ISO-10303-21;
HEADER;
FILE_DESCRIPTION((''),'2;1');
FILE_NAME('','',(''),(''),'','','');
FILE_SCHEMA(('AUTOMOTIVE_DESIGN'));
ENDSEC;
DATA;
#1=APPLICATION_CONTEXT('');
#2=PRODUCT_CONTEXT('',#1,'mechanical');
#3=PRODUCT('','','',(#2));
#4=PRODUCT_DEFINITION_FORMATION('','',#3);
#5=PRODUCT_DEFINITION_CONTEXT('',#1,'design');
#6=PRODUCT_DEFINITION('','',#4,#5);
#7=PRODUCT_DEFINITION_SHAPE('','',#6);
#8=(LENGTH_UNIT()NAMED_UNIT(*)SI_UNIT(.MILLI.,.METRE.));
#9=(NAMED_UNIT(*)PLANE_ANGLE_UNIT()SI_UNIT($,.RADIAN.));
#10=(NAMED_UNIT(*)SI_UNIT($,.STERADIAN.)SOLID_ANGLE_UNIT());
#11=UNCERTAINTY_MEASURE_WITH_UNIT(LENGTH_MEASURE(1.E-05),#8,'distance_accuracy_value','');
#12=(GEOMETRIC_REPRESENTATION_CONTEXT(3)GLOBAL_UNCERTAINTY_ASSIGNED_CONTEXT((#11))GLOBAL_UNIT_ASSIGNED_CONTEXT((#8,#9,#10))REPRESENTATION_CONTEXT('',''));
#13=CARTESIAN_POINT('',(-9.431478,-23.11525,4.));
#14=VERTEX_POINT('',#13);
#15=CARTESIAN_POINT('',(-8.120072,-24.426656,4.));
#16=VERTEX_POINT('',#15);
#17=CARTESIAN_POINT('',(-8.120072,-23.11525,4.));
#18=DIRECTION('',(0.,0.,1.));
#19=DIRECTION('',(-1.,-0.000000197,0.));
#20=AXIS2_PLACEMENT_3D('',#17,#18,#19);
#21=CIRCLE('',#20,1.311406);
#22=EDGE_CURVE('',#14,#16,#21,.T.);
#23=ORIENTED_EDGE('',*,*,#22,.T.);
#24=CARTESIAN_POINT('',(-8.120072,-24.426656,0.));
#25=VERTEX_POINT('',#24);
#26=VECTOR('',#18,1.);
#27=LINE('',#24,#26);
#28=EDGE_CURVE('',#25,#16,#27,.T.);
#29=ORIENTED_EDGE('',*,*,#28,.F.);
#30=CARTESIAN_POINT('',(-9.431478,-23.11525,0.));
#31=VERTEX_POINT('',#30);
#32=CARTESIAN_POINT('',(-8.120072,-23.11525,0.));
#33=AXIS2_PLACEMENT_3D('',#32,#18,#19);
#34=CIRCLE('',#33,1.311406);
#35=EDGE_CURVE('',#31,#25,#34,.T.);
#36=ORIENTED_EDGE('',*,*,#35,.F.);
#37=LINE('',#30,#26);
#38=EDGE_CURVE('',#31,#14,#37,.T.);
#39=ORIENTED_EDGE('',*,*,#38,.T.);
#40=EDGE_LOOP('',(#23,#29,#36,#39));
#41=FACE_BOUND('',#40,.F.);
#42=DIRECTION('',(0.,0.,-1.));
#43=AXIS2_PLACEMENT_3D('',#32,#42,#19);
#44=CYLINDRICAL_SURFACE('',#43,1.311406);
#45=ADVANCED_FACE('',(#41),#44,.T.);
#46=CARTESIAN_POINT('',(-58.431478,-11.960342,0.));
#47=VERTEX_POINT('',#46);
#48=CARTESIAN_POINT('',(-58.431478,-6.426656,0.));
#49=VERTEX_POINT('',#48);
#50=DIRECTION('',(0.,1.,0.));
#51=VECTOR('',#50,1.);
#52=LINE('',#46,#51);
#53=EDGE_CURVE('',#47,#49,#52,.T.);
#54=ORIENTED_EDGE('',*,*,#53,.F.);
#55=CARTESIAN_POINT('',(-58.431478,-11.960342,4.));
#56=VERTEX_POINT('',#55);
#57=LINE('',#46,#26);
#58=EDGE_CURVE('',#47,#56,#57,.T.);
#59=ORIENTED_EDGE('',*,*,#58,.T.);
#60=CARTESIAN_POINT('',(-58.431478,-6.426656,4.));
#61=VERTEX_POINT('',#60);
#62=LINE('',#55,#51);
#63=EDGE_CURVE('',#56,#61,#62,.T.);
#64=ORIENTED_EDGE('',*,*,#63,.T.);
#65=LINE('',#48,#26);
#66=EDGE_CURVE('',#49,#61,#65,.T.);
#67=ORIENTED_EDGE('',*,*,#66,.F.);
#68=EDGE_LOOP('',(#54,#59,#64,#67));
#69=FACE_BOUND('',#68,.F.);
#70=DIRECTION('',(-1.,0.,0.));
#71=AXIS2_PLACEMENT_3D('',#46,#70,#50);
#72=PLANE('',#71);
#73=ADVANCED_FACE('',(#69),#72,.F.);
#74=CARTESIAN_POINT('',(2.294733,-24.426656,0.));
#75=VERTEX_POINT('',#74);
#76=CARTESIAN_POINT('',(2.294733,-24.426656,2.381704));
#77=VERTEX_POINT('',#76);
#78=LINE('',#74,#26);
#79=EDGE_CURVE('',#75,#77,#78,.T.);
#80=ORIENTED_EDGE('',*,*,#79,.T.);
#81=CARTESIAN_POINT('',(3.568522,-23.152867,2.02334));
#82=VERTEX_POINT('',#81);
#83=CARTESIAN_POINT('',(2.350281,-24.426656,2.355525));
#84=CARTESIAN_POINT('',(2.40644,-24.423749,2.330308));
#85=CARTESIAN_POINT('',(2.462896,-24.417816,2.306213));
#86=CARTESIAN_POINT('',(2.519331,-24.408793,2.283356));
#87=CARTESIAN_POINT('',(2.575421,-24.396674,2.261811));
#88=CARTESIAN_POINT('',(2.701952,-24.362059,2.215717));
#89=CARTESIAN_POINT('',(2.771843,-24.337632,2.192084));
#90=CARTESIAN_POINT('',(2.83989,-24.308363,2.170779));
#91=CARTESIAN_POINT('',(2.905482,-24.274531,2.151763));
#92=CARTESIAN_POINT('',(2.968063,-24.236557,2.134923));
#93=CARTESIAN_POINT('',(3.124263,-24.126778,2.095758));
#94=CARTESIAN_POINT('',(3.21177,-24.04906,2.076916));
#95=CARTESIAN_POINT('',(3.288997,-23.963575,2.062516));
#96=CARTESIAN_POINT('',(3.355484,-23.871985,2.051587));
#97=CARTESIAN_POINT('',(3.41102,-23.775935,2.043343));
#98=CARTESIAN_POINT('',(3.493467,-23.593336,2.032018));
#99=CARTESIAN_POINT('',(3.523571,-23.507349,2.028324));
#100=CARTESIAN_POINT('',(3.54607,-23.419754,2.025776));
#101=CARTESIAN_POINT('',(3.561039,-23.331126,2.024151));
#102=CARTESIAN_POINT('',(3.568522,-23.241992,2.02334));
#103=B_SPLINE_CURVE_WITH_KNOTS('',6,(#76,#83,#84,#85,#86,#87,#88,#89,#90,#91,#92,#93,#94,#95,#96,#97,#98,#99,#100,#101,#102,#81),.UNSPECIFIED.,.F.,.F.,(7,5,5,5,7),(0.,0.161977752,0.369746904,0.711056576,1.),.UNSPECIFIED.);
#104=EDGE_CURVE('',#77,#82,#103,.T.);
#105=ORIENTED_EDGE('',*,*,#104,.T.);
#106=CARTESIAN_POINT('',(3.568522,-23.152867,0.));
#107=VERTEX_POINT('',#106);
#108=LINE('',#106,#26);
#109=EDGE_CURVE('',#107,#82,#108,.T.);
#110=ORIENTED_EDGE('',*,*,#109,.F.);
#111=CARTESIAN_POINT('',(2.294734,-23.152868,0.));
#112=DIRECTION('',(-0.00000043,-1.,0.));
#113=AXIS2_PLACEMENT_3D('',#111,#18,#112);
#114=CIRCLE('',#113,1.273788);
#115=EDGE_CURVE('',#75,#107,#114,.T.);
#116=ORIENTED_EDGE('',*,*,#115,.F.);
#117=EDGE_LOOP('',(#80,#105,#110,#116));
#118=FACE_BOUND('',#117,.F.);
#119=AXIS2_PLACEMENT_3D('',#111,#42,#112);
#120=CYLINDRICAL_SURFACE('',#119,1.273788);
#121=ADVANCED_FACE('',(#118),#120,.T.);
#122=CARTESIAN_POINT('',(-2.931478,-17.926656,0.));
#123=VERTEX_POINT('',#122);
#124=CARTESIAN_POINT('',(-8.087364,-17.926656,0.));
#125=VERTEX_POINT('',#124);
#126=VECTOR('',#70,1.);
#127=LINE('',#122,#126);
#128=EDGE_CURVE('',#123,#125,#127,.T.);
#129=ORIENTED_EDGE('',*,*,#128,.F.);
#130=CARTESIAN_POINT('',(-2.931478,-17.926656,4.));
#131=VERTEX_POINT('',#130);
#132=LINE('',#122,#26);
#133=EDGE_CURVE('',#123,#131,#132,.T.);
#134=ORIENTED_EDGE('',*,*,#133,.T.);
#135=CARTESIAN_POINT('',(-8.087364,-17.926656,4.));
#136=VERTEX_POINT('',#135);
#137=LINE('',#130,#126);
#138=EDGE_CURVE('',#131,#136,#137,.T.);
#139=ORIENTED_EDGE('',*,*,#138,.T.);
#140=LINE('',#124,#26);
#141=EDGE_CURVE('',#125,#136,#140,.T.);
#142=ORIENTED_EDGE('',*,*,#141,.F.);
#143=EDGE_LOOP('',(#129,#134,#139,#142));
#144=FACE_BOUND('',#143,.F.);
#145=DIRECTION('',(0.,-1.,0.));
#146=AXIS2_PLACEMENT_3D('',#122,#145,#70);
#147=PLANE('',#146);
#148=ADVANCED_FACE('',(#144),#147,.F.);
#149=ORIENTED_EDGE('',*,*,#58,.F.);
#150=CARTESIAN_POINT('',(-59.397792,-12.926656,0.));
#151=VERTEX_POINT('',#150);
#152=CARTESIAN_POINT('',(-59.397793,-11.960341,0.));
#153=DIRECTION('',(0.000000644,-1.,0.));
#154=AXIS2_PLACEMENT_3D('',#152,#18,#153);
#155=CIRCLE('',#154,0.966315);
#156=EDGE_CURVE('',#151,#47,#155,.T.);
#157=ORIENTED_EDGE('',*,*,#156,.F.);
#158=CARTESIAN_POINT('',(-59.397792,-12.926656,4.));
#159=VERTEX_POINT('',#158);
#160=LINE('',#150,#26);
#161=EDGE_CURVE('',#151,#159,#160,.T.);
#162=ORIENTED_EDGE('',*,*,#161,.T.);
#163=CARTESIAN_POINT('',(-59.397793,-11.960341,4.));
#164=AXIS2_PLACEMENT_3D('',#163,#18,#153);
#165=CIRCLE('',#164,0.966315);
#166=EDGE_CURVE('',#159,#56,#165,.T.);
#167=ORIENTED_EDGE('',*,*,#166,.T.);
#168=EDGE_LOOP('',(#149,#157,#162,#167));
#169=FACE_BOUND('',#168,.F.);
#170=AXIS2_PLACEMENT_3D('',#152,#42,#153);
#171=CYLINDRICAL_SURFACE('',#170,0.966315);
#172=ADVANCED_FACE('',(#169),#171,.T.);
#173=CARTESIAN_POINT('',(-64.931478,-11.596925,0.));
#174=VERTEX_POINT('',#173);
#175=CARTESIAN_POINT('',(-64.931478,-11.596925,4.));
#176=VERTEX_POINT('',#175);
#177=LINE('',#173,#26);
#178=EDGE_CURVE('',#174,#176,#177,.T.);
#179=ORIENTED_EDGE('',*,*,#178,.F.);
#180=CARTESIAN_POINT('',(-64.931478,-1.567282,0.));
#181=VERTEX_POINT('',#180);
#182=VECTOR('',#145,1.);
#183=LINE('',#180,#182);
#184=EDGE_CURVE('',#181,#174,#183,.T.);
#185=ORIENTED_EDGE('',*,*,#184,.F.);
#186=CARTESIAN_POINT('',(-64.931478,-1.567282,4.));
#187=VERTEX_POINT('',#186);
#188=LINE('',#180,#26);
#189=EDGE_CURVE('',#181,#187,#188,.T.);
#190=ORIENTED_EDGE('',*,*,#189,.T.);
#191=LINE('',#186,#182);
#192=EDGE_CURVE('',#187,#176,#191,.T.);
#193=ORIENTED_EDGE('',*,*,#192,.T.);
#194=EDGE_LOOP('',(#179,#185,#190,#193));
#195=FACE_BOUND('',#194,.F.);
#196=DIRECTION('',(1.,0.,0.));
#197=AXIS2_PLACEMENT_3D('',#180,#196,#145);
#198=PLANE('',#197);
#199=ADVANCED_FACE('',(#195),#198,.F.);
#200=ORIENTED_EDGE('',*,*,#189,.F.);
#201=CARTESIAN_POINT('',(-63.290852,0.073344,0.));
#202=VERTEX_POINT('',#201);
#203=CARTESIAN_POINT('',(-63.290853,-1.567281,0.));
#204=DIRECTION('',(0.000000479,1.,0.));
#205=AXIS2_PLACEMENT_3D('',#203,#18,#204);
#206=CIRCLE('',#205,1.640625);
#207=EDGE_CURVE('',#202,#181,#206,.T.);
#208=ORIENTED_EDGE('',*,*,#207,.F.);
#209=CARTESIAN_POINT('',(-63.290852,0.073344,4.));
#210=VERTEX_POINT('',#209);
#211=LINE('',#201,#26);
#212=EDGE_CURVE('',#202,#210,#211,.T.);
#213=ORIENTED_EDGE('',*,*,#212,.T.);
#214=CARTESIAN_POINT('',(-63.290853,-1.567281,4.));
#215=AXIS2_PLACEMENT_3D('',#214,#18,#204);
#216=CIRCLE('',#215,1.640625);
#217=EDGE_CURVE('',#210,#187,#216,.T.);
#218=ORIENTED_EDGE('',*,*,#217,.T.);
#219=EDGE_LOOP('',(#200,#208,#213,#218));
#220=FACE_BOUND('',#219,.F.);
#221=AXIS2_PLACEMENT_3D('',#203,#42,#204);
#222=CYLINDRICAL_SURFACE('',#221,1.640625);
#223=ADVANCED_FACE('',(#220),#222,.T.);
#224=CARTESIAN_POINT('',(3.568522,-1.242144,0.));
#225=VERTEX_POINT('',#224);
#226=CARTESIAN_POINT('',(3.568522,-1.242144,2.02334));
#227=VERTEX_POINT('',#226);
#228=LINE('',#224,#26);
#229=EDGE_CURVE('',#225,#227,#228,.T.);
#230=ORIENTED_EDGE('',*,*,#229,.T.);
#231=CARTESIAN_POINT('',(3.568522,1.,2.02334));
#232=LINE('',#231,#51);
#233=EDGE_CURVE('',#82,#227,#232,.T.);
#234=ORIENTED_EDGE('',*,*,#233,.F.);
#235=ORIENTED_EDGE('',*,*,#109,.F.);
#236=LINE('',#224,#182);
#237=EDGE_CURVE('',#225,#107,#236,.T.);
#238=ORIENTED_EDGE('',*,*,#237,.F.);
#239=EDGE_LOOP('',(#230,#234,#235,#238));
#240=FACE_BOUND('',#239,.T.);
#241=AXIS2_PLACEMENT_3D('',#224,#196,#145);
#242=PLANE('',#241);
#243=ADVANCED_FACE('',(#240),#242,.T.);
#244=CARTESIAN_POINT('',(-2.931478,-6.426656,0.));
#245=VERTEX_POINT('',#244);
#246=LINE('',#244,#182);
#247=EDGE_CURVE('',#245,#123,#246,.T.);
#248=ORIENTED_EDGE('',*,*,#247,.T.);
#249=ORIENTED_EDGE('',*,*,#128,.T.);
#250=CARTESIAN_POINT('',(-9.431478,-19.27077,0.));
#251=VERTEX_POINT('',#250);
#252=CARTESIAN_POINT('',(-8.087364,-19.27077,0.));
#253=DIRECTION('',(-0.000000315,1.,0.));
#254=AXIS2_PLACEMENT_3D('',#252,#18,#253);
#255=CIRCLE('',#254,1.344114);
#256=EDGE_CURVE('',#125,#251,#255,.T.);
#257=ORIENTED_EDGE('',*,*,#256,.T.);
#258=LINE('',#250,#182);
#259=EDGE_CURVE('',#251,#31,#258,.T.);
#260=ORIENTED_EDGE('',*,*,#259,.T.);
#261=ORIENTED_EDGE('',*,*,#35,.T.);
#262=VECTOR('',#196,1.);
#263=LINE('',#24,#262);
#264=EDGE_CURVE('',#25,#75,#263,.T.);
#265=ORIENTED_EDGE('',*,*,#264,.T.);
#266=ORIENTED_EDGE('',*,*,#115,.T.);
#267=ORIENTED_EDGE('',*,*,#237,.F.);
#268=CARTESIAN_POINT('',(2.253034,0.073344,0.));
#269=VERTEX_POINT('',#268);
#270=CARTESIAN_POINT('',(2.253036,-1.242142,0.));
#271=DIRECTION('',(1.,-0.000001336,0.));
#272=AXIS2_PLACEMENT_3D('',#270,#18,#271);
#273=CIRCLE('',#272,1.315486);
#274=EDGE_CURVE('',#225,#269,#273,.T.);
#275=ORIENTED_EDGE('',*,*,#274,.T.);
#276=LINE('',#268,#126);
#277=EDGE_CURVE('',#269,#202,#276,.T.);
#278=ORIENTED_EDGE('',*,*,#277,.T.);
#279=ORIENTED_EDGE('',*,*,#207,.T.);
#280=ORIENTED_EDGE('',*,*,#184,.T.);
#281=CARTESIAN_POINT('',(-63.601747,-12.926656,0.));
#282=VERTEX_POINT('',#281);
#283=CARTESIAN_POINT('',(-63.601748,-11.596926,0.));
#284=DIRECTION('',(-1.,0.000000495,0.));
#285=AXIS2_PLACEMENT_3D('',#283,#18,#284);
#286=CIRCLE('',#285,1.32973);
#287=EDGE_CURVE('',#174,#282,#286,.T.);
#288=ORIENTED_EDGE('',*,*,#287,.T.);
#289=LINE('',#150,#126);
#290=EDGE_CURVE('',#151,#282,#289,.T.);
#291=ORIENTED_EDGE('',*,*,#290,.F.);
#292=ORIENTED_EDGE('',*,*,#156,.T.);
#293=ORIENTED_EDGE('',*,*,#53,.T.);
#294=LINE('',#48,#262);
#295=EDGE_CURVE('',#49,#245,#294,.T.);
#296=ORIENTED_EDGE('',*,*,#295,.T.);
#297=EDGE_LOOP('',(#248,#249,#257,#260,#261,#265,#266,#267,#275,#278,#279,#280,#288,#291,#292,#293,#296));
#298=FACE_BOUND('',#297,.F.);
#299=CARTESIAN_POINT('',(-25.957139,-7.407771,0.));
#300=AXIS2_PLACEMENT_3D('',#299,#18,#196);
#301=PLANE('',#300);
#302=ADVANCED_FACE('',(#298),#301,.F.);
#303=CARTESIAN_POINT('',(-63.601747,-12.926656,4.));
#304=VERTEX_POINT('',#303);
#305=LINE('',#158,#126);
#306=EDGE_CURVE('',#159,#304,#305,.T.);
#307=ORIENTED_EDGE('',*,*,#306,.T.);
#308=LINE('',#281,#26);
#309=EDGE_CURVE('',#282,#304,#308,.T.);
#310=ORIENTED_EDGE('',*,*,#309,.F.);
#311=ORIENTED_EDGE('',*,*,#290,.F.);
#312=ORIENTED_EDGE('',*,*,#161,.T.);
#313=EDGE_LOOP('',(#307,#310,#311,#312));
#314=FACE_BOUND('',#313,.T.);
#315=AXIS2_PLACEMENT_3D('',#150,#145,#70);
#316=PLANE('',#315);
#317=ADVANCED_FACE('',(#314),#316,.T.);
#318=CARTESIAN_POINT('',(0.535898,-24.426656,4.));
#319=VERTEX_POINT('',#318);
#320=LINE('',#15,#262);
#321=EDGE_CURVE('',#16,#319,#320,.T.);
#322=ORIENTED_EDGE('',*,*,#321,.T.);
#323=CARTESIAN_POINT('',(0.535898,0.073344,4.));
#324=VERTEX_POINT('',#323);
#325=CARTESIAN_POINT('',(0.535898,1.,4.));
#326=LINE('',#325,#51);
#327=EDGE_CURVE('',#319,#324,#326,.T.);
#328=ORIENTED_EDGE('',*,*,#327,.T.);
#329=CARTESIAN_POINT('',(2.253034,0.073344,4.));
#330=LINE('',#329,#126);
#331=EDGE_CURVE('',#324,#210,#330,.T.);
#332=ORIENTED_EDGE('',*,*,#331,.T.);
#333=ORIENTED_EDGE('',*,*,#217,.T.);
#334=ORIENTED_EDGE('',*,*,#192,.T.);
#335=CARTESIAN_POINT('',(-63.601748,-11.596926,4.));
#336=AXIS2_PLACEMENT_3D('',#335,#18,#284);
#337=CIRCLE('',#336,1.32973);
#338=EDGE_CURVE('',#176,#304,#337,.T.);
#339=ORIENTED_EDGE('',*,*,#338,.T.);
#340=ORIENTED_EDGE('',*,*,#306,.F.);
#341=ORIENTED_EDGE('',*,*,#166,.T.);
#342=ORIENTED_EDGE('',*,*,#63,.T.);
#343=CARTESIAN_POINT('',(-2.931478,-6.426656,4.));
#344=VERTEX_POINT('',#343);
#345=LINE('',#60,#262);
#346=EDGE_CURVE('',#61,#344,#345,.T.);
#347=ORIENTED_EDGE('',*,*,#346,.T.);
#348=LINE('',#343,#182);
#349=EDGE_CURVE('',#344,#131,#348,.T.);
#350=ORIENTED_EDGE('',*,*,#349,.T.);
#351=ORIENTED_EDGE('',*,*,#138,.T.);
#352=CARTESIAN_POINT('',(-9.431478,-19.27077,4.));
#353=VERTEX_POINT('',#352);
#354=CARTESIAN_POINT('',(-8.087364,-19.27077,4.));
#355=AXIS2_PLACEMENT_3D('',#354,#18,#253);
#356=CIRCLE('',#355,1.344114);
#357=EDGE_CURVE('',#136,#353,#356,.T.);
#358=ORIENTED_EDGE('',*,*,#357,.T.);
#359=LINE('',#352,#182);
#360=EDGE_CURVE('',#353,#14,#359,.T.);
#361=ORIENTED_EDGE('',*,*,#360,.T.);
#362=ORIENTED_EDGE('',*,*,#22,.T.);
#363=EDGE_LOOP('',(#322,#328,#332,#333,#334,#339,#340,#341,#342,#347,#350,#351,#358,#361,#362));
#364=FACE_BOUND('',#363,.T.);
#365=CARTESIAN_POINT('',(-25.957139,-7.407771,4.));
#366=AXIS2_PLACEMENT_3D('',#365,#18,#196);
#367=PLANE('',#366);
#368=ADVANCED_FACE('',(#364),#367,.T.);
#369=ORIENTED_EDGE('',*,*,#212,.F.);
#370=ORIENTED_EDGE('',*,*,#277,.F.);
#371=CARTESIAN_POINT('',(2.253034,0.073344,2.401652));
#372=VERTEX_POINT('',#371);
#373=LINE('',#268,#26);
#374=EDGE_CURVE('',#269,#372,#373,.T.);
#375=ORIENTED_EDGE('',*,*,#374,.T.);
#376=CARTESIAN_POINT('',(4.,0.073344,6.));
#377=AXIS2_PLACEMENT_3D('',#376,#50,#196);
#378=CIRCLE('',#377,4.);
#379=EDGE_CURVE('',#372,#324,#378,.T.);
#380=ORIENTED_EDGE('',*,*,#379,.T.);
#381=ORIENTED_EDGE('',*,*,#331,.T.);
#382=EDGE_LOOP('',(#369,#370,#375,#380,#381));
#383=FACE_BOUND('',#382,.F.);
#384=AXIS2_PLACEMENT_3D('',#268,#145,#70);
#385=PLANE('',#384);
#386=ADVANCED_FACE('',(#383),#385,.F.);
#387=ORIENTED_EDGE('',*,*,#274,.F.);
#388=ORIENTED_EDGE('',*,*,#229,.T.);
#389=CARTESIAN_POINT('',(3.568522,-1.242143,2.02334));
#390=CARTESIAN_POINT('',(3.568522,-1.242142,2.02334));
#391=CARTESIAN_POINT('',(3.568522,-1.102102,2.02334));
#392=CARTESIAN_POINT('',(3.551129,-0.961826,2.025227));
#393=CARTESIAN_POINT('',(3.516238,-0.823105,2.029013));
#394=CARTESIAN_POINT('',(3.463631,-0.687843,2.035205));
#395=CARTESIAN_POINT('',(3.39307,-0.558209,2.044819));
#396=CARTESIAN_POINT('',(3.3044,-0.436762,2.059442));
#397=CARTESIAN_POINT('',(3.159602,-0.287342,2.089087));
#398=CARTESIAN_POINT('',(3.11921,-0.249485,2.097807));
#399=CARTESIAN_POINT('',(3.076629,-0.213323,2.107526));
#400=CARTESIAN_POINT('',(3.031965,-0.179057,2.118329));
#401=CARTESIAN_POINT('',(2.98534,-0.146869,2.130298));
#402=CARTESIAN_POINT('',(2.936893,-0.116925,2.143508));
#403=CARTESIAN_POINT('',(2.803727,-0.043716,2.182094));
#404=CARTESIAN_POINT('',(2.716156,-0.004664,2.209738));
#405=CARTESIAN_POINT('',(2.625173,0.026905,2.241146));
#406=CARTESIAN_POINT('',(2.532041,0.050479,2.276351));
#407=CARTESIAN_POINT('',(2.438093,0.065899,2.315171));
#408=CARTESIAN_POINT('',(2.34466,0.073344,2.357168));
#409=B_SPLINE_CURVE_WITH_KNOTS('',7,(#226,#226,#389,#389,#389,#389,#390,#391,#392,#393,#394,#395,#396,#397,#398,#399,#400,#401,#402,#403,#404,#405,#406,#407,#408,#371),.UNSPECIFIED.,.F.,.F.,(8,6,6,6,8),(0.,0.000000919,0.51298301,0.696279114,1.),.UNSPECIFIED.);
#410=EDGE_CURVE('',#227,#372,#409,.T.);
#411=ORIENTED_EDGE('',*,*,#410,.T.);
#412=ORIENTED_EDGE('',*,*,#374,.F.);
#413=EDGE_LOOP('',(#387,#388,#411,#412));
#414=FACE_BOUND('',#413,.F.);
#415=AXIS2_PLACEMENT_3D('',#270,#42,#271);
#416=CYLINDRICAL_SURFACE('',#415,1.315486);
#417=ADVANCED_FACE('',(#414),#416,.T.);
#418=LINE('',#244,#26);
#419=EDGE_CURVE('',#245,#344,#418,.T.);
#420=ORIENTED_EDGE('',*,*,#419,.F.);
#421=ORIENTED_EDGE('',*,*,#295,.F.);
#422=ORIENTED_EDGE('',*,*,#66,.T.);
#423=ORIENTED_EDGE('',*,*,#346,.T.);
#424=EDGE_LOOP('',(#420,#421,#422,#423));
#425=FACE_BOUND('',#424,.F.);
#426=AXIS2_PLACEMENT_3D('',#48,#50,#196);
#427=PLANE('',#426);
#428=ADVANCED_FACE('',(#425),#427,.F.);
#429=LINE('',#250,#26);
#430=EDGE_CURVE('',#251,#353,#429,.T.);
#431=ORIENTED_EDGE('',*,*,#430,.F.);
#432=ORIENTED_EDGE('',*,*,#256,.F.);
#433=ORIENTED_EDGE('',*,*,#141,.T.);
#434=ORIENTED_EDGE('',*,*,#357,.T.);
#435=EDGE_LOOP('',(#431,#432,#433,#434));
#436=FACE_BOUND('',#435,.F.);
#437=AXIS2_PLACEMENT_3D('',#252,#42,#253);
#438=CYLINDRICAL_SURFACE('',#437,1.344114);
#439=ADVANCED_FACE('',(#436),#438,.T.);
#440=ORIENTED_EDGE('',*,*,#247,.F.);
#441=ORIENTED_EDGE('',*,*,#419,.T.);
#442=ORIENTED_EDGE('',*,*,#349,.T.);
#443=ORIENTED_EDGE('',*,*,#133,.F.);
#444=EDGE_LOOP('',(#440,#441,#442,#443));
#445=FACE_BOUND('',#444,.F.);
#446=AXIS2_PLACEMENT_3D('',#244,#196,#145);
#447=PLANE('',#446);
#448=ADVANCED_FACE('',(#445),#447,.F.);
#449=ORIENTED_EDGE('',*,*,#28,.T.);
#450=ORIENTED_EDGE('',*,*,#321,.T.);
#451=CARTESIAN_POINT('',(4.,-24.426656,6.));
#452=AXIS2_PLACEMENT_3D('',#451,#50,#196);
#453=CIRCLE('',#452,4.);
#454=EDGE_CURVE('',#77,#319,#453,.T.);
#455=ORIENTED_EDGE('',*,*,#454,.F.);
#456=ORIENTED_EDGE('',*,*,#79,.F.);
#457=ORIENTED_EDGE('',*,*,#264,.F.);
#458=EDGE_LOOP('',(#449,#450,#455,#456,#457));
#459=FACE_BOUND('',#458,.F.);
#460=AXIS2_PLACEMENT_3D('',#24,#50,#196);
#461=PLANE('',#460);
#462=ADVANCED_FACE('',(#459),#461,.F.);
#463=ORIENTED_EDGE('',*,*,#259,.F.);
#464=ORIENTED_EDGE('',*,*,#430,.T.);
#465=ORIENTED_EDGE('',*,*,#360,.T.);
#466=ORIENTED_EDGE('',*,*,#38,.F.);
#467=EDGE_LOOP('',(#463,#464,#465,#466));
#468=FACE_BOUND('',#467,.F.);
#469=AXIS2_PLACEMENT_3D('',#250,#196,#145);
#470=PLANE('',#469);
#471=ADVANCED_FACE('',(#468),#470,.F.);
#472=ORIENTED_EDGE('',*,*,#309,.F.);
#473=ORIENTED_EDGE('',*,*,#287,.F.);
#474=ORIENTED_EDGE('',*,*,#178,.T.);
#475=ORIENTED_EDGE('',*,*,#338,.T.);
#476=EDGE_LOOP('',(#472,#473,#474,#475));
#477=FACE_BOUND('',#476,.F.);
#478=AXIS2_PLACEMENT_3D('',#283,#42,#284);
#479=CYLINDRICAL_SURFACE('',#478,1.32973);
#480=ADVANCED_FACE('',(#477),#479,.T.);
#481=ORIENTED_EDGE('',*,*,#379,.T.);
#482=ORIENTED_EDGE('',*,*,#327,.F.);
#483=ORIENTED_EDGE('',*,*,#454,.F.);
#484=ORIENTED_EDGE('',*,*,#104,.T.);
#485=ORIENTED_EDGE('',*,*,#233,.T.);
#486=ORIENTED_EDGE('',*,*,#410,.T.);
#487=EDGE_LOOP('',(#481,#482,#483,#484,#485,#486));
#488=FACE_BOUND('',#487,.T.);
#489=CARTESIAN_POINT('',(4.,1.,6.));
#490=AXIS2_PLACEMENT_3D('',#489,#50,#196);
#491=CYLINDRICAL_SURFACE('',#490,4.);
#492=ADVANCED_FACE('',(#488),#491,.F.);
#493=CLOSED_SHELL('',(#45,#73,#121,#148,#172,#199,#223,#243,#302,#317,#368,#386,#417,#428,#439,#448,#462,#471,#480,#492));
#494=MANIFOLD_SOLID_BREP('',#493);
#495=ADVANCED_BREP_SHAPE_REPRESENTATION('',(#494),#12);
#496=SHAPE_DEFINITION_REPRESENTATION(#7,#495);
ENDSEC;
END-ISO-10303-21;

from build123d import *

# Parameters (mm, degrees)
CYLINDER005_R          = 4
CYLINDER005_DEPTH      = 26
CYLINDER005_ROLL_ANGLE = 90
PAD006_DEPTH           = 4


with BuildPart() as cylinder005:
    # Cylinder005 → Cylinder005 (new body)
    with BuildSketch(Plane.XY):
        Circle(CYLINDER005_R)
    extrude(amount=CYLINDER005_DEPTH)


with BuildPart() as cylinder005_1:
    # Cylinder005 roll: moved
    add(cylinder005.part.rotate(Axis((0, 0, 0), (1, 0, 0)), CYLINDER005_ROLL_ANGLE))


with BuildPart() as cylinder005_2:
    # Cylinder005 placement: moved
    add(cylinder005_1.part.moved(Location((4, 1, 6))))


with BuildPart() as basebracket_beveled:
    # Sketch006 → Pad006 (new body)
    with BuildSketch(Plane.XY):
        with BuildLine():
            Line((2.253034, 0.073344), (-63.290852, 0.073344))
            ThreePointArc((-63.290852, 0.073344), (-64.45095, -0.407184), (-64.931478, -1.567282))
            Line((-64.931478, -1.567282), (-64.931478, -11.596925))
            ThreePointArc((-64.931478, -11.596925), (-64.542009, -12.537187), (-63.601747, -12.926656))
            Line((-59.397792, -12.926656), (-63.601747, -12.926656))
            ThreePointArc((-59.397792, -12.926656), (-58.714505, -12.643629), (-58.431478, -11.960342))
            Line((-58.431478, -11.960342), (-58.431478, -6.426656))
            Line((-58.431478, -6.426656), (-2.931478, -6.426656))
            Line((-2.931478, -6.426656), (-2.931478, -17.926656))
            Line((-2.931478, -17.926656), (-8.087364, -17.926656))
            ThreePointArc((-8.087364, -17.926656), (-9.037796, -18.320338), (-9.431478, -19.27077))
            Line((-9.431478, -19.27077), (-9.431478, -23.11525))
            ThreePointArc((-9.431478, -23.11525), (-9.047376, -24.042554), (-8.120072, -24.426656))
            Line((-8.120072, -24.426656), (2.294733, -24.426656))
            ThreePointArc((2.294733, -24.426656), (3.195438, -24.053572), (3.568522, -23.152867))
            Line((3.568522, -1.242144), (3.568522, -23.152867))
            ThreePointArc((3.568522, -1.242144), (3.183225, -0.311953), (2.253034, 0.073344))
        make_face()
    extrude(amount=PAD006_DEPTH)

    # Cut001005: cut Cylinder005
    add(cylinder005_2.part, mode=Mode.SUBTRACT)


solid = basebracket_beveled.part
